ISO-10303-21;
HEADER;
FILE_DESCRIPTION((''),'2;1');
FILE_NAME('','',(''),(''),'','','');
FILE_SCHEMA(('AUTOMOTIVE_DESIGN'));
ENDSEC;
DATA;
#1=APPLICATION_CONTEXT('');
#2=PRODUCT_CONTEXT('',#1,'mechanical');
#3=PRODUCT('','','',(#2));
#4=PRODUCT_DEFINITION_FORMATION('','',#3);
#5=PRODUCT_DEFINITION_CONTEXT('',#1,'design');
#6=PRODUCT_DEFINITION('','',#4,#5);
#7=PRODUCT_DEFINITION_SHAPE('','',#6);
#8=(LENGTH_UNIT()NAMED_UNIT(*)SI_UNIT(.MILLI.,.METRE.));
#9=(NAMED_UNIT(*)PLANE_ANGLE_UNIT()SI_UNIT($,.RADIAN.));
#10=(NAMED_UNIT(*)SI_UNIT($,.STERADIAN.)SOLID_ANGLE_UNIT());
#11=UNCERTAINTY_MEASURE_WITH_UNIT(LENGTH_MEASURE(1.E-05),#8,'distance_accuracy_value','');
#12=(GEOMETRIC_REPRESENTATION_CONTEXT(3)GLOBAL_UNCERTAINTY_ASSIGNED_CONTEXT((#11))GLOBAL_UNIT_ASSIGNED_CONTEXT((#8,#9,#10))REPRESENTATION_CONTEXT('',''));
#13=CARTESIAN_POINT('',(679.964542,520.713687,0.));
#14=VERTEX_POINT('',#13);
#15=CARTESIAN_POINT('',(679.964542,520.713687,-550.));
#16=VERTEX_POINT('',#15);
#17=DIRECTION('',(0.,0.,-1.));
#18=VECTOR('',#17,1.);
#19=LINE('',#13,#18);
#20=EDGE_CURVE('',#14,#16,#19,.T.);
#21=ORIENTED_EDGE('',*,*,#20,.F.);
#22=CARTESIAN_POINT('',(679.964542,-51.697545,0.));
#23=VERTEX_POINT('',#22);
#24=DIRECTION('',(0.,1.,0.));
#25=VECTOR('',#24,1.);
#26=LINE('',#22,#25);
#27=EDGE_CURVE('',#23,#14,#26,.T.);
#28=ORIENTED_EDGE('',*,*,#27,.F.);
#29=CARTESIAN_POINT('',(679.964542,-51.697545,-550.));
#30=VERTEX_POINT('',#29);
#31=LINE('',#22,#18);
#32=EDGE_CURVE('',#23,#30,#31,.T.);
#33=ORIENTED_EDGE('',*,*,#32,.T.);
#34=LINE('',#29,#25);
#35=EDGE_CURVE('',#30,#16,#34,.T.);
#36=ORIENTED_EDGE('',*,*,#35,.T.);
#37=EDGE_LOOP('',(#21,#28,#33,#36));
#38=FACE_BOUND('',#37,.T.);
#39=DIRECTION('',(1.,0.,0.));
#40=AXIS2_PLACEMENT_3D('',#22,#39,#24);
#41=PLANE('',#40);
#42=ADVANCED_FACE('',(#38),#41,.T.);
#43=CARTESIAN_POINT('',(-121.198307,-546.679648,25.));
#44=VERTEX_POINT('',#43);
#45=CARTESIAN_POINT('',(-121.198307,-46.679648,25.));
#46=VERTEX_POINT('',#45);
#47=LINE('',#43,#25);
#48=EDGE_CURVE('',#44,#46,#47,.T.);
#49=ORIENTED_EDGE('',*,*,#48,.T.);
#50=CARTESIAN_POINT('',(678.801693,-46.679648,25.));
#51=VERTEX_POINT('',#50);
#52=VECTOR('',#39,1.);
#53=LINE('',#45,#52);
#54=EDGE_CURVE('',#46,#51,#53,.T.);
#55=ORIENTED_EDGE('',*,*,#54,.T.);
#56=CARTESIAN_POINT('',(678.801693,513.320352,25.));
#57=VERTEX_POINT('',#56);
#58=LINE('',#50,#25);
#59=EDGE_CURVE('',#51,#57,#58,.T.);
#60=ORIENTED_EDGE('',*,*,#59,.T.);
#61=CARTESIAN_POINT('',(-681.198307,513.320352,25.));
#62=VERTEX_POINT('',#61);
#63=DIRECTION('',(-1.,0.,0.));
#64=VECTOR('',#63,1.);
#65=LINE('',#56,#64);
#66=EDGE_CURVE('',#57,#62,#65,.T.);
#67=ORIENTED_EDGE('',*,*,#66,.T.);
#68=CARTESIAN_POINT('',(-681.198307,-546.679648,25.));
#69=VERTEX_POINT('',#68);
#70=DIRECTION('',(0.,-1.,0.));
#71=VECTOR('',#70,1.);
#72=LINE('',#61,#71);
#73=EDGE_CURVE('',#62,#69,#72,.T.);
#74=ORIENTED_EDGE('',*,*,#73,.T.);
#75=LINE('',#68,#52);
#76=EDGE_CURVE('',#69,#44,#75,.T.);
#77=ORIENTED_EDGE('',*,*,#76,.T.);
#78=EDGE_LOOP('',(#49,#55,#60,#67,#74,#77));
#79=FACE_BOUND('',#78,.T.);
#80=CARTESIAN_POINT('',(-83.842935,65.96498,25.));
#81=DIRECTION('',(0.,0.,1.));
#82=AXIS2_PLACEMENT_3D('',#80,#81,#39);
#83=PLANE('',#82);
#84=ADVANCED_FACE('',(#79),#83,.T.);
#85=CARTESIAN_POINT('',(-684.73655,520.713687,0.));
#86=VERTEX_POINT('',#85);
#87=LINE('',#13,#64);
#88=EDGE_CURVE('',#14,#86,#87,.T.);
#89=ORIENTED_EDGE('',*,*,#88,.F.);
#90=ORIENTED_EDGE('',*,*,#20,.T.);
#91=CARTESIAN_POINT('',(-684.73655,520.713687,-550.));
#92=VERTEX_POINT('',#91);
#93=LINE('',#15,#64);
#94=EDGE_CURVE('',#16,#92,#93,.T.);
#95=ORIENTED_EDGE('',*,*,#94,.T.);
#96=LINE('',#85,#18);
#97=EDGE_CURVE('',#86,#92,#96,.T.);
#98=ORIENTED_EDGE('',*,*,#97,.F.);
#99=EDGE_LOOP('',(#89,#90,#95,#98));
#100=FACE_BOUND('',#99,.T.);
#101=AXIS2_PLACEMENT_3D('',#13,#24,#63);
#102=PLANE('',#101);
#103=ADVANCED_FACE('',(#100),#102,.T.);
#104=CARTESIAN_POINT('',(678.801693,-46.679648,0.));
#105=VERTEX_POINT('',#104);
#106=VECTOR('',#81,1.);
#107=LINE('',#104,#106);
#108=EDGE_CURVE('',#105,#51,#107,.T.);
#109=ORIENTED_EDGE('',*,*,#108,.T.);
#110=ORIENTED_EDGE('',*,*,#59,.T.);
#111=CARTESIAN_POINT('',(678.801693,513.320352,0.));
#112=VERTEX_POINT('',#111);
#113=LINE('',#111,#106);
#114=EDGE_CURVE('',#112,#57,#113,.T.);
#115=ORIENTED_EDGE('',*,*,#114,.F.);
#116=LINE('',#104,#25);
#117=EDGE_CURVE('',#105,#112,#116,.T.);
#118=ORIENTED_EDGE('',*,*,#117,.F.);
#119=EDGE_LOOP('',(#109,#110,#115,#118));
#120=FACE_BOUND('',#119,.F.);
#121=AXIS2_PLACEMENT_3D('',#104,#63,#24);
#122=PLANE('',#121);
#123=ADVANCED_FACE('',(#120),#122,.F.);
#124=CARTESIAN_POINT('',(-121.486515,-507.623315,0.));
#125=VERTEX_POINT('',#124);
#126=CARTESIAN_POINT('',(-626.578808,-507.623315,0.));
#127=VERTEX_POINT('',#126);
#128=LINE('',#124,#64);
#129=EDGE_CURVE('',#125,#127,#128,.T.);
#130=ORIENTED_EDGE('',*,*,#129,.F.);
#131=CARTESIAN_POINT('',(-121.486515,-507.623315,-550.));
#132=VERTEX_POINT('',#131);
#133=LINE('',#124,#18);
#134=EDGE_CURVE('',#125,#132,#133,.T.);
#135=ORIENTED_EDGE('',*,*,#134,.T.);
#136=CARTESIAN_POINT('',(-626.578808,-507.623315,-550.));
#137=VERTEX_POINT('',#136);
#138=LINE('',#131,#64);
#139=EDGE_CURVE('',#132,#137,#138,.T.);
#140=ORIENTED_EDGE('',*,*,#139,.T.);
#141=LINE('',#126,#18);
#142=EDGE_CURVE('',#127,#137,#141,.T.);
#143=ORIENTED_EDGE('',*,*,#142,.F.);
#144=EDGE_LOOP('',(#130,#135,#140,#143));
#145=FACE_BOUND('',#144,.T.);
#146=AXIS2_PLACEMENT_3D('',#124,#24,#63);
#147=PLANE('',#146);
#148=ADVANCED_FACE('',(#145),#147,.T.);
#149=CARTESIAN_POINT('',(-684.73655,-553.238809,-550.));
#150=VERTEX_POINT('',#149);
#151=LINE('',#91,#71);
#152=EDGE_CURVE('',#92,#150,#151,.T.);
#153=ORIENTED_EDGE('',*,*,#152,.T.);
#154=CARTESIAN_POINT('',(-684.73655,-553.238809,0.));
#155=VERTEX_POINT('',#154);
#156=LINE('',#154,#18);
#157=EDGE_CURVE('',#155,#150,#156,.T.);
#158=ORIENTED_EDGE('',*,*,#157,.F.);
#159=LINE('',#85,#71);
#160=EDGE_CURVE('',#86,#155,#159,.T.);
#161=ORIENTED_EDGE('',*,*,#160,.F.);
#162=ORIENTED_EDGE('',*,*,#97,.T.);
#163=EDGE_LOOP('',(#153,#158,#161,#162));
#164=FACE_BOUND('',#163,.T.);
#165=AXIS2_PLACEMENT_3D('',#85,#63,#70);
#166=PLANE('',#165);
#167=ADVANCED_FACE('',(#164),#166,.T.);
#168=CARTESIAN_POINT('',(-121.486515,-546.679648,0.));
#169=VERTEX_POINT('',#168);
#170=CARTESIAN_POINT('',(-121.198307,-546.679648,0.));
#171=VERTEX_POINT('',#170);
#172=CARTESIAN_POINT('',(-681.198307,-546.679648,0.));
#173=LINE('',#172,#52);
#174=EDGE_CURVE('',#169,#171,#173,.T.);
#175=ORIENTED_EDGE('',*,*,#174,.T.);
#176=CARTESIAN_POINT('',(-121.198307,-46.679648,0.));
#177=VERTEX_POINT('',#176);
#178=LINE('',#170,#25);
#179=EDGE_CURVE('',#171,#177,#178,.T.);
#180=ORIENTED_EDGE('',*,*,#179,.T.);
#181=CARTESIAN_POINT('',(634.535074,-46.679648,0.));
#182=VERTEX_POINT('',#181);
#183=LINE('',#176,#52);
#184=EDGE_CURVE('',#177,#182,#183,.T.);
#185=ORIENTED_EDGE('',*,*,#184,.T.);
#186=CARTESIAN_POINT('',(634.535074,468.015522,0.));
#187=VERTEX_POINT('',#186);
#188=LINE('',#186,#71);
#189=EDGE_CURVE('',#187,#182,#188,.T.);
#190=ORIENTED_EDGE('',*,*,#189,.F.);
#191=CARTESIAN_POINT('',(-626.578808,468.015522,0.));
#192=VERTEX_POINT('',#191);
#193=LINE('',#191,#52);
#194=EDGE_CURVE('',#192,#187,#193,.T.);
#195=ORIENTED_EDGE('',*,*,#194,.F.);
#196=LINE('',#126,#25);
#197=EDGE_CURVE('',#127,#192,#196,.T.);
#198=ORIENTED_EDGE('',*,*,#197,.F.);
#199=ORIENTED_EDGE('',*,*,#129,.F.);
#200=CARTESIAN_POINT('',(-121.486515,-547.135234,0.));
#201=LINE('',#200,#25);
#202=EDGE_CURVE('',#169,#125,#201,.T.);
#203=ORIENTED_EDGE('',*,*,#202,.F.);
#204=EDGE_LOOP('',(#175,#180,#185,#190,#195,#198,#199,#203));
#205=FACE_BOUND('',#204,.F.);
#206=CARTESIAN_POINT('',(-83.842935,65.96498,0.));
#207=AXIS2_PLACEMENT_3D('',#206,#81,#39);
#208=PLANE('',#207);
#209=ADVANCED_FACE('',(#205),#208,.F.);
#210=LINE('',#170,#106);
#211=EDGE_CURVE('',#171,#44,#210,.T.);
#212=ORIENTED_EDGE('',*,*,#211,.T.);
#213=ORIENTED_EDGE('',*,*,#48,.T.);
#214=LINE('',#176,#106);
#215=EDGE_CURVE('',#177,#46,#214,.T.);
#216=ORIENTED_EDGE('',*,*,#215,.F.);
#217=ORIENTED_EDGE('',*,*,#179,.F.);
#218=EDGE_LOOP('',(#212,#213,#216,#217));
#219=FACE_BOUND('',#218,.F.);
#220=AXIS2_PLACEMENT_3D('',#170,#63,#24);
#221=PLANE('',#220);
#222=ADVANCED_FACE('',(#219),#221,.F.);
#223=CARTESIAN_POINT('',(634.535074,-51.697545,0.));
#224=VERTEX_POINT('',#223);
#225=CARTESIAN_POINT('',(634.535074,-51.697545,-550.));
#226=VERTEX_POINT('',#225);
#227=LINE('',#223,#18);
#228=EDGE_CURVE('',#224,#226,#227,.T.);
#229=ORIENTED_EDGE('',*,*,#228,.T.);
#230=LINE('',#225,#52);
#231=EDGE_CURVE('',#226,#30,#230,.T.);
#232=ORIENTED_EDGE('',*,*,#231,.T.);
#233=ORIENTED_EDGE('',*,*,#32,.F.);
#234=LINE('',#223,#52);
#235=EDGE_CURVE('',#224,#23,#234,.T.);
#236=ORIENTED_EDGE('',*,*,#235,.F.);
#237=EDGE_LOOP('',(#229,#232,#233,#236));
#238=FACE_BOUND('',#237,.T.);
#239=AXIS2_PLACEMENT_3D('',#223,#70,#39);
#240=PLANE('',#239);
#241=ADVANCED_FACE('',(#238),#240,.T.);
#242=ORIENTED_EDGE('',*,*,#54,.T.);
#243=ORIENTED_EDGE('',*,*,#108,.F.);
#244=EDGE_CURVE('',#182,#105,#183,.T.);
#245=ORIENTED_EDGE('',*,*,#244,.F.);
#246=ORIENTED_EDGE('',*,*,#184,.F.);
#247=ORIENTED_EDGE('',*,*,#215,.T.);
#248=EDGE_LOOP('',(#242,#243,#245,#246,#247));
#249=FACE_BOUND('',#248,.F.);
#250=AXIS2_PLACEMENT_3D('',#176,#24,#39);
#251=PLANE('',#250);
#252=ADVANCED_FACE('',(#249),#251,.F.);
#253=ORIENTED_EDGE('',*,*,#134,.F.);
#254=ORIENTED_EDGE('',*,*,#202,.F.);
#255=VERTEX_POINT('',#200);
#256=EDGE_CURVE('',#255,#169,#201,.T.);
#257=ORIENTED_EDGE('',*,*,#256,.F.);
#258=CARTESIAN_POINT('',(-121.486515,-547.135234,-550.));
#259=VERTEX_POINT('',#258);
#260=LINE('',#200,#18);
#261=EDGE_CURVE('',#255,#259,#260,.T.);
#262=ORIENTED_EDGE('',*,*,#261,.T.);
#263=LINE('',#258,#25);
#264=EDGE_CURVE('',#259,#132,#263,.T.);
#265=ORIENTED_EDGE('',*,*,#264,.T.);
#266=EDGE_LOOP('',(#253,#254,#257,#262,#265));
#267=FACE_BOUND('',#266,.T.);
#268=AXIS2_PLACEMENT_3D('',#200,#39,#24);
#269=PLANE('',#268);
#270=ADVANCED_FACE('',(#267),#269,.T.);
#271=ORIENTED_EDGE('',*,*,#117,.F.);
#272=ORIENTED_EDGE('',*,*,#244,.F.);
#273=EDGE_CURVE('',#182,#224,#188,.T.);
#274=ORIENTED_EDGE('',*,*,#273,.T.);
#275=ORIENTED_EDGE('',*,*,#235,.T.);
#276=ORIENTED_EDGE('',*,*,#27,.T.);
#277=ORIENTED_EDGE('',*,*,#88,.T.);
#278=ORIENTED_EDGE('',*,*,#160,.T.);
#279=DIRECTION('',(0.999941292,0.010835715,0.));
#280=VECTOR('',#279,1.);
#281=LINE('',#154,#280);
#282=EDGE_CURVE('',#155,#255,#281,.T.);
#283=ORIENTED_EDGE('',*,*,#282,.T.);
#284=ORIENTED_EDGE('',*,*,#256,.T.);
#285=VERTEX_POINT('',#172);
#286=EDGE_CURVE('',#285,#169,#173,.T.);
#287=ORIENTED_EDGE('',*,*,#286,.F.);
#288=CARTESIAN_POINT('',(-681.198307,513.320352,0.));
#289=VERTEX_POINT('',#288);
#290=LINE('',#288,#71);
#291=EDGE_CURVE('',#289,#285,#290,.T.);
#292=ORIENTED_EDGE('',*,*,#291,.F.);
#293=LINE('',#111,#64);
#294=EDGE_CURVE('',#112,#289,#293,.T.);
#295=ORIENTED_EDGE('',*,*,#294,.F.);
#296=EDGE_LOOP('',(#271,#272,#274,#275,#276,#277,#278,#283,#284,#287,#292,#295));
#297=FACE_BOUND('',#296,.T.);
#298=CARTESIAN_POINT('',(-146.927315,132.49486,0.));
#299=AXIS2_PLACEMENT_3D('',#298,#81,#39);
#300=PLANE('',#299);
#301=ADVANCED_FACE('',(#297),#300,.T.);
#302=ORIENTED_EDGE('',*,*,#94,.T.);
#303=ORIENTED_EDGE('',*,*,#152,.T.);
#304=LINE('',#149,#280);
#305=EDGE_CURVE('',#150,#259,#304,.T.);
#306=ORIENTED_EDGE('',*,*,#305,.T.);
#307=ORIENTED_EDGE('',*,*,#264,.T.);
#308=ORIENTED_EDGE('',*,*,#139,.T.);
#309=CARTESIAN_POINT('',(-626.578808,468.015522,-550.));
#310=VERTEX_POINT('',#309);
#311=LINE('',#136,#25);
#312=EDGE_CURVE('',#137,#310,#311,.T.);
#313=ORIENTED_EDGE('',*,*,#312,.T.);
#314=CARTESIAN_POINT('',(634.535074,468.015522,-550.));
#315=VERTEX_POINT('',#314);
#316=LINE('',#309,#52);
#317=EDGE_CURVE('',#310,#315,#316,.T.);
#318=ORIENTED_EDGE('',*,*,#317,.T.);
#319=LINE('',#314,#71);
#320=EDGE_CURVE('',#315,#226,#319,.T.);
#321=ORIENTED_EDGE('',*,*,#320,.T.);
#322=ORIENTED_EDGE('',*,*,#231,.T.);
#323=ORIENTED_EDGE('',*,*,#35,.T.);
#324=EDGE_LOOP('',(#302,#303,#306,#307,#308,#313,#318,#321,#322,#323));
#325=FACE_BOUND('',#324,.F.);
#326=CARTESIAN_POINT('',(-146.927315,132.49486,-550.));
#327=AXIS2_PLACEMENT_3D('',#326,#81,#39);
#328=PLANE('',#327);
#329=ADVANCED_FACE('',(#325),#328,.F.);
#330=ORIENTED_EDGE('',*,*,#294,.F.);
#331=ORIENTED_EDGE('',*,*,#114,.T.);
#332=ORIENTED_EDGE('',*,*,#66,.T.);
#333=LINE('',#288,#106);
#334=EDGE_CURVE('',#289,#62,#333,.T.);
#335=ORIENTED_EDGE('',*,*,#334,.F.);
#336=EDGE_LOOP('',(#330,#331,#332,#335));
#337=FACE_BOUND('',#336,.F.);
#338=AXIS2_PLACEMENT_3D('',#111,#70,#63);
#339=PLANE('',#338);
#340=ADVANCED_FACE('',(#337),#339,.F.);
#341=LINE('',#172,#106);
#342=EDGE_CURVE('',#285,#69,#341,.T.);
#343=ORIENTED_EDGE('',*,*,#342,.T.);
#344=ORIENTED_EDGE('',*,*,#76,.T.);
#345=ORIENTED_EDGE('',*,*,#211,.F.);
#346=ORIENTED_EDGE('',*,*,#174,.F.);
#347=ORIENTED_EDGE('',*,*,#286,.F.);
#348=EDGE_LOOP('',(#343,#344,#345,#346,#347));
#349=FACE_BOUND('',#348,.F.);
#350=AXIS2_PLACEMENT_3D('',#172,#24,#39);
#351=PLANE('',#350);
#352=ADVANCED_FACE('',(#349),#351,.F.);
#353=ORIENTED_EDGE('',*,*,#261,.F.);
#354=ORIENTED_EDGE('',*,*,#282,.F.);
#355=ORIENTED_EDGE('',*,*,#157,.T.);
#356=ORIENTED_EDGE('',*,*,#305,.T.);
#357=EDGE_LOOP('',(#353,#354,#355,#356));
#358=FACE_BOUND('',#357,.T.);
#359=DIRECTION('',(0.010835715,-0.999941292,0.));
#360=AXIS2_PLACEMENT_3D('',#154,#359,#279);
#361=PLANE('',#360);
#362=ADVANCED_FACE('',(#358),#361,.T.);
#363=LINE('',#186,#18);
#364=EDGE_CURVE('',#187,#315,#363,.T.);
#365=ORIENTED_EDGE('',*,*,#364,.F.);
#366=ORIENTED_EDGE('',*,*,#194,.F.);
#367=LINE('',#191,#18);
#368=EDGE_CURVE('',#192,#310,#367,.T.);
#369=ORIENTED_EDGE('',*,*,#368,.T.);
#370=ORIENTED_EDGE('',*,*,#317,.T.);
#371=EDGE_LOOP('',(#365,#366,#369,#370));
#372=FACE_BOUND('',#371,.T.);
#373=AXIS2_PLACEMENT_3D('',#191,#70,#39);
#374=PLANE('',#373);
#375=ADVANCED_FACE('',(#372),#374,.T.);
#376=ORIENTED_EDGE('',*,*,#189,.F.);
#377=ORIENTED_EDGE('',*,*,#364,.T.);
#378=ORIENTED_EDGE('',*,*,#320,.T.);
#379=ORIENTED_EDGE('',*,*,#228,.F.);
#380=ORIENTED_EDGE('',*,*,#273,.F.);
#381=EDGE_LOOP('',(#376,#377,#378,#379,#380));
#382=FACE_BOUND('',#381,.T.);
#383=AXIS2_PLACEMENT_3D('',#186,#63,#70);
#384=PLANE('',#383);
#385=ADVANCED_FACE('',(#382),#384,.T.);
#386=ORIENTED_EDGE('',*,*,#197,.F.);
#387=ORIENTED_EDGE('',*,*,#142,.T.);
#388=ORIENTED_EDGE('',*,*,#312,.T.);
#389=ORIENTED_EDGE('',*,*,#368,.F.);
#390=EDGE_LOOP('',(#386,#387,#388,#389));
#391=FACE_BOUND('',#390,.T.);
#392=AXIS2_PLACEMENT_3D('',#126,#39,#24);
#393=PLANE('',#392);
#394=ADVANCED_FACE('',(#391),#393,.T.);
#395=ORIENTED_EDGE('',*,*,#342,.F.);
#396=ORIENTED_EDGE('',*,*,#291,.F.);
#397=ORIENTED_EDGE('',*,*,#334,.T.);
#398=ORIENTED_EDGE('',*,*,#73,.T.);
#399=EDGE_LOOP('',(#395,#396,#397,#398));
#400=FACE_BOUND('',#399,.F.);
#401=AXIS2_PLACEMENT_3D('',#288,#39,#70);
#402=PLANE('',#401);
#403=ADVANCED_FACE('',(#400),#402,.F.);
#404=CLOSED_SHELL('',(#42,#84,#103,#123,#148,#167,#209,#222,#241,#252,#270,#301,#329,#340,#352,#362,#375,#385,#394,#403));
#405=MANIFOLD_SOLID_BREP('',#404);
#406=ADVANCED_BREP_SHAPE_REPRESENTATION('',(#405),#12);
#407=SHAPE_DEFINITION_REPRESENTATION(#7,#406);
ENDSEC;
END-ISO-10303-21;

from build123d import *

# Parameters (mm, degrees)
F1_DEPTH = 25
F3_DEPTH = 550


with BuildPart() as f1:
    # F0 (on Top) → F1 (new body)
    with BuildSketch(Plane.XY):
        Polygon((678.801693, 513.320352), (-681.198307, 513.320352), (-681.198307, -546.679648), (-121.198307, -546.679648), (-121.198307, -46.679648), (678.801693, -46.679648), align=None)
    extrude(amount=F1_DEPTH)

    # F2 (on face) → F3 (join)
    with BuildSketch(Plane.XY):
        Polygon((-684.73655, -553.238809), (-121.486515, -547.135234), (-121.486515, -507.623315), (-626.578808, -507.623315), (-626.578808, 468.015522), (634.535074, 468.015522), (634.535074, -51.697545), (679.964542, -51.697545), (679.964542, 520.713687), (-684.73655, 520.713687), align=None)
    extrude(amount=-F3_DEPTH)


solid = f1.part
